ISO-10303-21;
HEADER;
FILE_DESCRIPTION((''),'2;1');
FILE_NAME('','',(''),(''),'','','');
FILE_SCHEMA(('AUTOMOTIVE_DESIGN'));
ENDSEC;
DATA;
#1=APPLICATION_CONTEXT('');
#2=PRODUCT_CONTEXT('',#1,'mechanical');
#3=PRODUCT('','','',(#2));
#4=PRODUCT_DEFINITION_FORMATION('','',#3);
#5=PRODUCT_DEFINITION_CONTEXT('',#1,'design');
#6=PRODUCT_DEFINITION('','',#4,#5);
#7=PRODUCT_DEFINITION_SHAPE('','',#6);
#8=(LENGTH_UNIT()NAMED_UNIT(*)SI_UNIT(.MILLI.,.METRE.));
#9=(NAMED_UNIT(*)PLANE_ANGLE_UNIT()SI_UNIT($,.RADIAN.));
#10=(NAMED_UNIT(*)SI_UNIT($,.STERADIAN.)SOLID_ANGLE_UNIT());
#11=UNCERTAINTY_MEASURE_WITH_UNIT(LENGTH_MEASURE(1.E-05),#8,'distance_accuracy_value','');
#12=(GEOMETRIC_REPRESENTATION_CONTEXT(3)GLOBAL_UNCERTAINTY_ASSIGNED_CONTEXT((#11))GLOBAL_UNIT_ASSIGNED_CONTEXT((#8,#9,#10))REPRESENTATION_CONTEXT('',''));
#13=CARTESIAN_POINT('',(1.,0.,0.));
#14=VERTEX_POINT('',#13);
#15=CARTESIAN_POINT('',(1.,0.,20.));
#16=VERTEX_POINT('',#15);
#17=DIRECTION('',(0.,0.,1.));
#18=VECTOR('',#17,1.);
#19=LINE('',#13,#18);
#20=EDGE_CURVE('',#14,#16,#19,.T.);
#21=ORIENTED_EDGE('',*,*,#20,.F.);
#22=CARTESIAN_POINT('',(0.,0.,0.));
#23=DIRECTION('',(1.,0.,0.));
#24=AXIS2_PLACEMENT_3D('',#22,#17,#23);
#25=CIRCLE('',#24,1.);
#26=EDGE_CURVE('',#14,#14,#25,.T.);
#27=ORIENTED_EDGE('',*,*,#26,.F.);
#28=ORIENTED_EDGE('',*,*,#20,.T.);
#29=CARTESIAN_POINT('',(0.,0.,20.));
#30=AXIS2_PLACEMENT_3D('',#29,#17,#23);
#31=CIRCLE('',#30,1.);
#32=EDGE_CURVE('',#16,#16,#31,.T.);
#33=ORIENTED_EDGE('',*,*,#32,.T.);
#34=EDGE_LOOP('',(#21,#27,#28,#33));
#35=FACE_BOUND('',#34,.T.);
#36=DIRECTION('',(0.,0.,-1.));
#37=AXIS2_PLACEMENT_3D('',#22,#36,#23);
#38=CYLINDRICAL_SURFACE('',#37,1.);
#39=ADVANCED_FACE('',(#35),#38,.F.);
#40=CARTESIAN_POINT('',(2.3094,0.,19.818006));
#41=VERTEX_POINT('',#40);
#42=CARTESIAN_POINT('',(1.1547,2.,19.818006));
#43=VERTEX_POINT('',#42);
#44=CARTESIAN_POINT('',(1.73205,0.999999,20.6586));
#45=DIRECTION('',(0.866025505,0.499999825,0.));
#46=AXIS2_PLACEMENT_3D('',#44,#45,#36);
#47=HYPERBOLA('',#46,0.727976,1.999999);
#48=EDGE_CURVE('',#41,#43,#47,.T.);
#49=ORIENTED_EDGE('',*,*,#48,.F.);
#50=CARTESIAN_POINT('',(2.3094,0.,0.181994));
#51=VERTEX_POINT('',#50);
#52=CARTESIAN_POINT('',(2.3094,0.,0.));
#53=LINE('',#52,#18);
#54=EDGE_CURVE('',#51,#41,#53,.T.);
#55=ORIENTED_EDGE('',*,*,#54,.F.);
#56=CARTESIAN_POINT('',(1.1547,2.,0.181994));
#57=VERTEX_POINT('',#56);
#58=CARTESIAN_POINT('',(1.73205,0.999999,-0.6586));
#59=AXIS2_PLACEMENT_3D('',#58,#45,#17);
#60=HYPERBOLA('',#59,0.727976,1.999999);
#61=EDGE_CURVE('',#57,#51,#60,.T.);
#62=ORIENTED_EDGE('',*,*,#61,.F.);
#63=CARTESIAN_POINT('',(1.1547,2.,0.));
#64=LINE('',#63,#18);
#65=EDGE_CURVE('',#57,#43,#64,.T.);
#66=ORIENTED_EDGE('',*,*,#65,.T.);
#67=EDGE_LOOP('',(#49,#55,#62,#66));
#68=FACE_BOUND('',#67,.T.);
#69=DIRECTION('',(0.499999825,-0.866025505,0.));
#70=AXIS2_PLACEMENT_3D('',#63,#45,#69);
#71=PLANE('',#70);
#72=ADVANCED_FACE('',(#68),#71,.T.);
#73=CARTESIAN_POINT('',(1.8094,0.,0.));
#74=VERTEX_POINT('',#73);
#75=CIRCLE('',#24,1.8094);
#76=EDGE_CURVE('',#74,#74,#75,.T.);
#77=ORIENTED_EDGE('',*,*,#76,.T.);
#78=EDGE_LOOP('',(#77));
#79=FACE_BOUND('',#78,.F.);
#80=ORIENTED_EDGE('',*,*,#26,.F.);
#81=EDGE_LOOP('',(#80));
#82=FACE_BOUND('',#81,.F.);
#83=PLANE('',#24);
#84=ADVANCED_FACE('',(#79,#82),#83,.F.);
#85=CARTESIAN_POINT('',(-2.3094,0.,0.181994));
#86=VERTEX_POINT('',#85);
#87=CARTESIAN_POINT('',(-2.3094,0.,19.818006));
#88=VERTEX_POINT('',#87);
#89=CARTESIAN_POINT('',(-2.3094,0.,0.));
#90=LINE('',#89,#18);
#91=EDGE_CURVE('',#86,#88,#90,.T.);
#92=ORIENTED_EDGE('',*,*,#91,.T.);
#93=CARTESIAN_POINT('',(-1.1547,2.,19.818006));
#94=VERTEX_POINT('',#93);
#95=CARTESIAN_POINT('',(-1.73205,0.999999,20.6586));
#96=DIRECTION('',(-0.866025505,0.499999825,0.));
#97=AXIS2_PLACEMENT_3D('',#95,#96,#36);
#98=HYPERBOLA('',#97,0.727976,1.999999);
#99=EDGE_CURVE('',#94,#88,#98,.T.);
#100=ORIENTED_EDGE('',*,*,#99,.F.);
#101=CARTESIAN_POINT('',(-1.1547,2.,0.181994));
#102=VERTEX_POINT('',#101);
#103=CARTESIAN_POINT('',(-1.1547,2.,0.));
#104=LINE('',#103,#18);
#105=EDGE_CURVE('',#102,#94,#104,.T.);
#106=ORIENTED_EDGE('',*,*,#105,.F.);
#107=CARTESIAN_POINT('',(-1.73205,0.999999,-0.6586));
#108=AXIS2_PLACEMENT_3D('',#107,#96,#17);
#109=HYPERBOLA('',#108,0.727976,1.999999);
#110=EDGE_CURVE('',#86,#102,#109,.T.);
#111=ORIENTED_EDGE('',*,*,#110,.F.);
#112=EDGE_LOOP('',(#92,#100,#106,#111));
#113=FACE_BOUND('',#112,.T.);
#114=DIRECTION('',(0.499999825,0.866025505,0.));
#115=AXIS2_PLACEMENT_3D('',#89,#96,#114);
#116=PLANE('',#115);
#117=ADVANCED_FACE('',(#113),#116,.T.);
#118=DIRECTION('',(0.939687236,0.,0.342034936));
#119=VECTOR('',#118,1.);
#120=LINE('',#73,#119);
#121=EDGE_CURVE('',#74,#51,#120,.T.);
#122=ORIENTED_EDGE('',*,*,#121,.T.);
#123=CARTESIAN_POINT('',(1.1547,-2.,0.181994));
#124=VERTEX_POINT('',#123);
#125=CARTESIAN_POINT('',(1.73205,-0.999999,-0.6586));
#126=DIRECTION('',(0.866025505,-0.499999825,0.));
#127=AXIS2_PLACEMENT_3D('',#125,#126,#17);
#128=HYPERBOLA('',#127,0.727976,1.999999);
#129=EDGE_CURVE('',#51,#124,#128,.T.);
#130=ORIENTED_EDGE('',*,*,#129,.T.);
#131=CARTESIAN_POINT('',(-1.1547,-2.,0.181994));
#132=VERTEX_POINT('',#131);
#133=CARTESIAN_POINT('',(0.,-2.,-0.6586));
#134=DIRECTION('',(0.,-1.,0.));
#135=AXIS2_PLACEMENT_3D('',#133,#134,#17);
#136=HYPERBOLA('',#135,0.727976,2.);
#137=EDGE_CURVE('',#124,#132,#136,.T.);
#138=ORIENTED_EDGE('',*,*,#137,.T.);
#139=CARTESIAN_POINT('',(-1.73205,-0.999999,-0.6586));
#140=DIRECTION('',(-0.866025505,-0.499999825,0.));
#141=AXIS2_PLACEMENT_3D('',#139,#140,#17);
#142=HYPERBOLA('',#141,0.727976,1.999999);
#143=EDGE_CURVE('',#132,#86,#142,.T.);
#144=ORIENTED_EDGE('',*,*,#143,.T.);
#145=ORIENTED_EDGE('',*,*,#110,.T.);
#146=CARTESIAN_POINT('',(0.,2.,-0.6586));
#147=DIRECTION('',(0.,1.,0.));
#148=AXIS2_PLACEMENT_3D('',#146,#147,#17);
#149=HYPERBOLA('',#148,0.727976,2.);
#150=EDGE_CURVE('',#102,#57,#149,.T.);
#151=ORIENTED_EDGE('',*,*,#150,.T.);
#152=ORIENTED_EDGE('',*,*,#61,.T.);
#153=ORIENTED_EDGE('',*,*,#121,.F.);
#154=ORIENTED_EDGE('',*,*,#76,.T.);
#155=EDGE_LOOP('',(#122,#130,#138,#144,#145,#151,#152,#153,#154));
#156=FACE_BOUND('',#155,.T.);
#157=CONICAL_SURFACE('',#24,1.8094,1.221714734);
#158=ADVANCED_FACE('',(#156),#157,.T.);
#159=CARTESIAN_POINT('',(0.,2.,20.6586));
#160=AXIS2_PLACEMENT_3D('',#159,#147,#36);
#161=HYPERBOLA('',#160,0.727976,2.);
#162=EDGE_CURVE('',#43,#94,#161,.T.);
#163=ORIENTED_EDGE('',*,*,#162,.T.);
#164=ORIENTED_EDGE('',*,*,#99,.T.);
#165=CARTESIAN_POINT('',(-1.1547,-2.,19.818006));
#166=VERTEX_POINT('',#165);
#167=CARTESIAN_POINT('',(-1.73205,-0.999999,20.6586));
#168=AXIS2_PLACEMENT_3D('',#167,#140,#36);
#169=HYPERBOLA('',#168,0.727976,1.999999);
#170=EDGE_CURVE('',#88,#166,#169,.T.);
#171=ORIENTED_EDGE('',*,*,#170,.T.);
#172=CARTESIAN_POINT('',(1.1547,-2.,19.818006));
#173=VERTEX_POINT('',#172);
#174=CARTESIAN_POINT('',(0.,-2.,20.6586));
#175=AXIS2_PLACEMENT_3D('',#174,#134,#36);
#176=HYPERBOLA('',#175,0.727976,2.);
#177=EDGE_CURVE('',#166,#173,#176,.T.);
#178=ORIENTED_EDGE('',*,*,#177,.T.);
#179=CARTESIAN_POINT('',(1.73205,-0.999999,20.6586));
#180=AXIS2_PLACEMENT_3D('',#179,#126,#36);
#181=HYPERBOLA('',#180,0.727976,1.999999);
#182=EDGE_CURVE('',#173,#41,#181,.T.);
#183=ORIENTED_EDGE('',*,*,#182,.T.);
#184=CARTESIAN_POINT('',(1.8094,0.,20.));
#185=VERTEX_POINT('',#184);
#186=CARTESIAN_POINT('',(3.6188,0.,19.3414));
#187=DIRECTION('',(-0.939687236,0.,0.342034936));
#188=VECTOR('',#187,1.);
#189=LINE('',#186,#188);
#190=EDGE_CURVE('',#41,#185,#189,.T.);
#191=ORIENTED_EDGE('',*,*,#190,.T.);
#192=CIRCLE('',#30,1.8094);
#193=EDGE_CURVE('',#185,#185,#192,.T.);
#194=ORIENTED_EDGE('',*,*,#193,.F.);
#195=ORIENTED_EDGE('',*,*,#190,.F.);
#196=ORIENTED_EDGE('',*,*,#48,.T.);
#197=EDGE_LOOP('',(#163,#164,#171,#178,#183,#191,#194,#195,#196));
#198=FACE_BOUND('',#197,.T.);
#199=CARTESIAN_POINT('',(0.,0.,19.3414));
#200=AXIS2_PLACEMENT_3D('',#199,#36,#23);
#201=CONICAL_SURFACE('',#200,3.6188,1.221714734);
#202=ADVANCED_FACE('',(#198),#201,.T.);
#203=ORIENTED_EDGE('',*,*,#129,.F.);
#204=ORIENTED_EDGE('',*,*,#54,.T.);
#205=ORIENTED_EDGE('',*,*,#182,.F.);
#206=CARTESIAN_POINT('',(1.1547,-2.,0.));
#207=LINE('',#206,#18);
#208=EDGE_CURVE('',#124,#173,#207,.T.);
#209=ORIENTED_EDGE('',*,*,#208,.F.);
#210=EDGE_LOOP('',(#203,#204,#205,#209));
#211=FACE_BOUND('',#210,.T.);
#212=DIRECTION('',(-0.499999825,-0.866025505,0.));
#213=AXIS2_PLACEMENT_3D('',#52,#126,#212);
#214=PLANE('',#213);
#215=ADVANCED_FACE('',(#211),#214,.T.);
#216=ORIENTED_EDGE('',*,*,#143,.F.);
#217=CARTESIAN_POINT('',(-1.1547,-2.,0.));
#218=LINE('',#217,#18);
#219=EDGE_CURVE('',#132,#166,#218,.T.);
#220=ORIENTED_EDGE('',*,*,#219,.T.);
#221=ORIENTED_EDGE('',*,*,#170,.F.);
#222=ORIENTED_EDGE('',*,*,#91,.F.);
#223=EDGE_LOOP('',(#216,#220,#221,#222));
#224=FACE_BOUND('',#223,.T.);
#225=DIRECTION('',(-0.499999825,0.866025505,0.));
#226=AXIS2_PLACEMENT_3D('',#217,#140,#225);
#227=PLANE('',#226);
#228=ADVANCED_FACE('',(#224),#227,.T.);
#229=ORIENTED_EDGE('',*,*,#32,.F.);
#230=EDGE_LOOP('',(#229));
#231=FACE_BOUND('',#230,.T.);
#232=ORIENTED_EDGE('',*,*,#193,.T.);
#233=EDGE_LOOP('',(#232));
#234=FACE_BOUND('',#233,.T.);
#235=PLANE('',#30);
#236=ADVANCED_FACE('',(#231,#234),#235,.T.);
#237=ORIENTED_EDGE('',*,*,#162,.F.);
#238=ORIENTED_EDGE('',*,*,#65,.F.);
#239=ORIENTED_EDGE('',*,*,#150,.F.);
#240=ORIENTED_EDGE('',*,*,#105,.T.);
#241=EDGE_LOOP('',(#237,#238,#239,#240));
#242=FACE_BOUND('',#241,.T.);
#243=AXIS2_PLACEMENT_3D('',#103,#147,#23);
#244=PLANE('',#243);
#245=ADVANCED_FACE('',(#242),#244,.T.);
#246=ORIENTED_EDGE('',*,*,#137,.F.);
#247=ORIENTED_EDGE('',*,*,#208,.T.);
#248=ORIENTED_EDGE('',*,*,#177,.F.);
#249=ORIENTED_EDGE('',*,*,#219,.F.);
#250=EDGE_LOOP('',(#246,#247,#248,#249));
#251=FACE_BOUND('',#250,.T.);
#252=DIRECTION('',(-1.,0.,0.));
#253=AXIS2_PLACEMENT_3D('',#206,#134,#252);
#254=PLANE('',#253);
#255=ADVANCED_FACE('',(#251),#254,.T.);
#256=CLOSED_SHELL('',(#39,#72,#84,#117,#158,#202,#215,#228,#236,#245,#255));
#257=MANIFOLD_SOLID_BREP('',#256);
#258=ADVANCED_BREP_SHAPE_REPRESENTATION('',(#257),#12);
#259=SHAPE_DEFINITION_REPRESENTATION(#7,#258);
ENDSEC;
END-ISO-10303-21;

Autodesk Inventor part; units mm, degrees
ref_plane "YZ Plane" through (0, 0, 0) normal (1, 0, 0) x (0, 1, 0)
ref_plane "XZ Plane" through (0, 0, 0) normal (0, 1, 0) x (-1, 0, 0)
ref_plane "XY Plane" through (0, 0, 0) normal (0, 0, 1) x (1, 0, 0)
sketch "Skizze1" plane through (0, 0, 0) normal (0, 0, 1) x (1, 0, 0)
  line L0 (-3.2332, 0) -> (3.2332, 0) construction
  line L1 (0, -2.8) -> (0, 2.8) construction
  circle A0 centre (0, 0) radius 2 construction
  line L2 (1.1547, 2) -> (2.3094, 0)
  line L3 (2.3094, 0) -> (1.1547, -2)
  line L4 (1.1547, -2) -> (-1.1547, -2)
  line L5 (-1.1547, -2) -> (-2.3094, 0)
  line L6 (-2.3094, 0) -> (-1.1547, 2)
  line L7 (-1.1547, 2) -> (1.1547, 2)
  circle A1 centre (0, 0) radius 1
  point P0 (0, 2)
  dimension "d0" = 4
  dimension "d1" = 2
extrude "Extrusion1" add sketch "Skizze1" along normal blind 20
sketch "Skizze2" plane through (0, 0, 0) normal (0, 1, 0) x (-1, 0, 0)
  line L0 (1.1547, 20) -> (-1.1547, 20) projected
  line L1 (-1.1547, 20) -> (-2.3094, 20) projected
  line L2 (2.3094, 20) -> (1.1547, 20) projected
  line L3 (2.3094, 0) -> (1.1547, 0) projected
  line L4 (1.1547, 0) -> (-1.1547, 0) projected
  line L5 (-1.1547, 0) -> (-2.3094, 0) projected
  line L6 (-1.8094, 20) -> (-3.6188, 20)
  line L7 (-3.6188, 20) -> (-3.6188, 19.3414)
  line L8 (-3.6188, 19.3414) -> (-1.8094, 20)
  line L9 (-1.8094, 0) -> (-3.6188, 0.6586)
  line L10 (-3.6188, 0.6586) -> (-3.6188, 0)
  line L11 (-3.6188, 0) -> (-1.8094, 0)
  line L12 (0, -2) -> (0, 12) projected
  point P0 (0, 0)
  dimension "d4" = 20
  dimension "d5" = 0.5
revolve "Umdrehung1" cut sketch "Skizze2" angle 360 about axis through (0, 0, -10) along (0, 0, 1)
properties part number "Hex Spacer 20mm"
